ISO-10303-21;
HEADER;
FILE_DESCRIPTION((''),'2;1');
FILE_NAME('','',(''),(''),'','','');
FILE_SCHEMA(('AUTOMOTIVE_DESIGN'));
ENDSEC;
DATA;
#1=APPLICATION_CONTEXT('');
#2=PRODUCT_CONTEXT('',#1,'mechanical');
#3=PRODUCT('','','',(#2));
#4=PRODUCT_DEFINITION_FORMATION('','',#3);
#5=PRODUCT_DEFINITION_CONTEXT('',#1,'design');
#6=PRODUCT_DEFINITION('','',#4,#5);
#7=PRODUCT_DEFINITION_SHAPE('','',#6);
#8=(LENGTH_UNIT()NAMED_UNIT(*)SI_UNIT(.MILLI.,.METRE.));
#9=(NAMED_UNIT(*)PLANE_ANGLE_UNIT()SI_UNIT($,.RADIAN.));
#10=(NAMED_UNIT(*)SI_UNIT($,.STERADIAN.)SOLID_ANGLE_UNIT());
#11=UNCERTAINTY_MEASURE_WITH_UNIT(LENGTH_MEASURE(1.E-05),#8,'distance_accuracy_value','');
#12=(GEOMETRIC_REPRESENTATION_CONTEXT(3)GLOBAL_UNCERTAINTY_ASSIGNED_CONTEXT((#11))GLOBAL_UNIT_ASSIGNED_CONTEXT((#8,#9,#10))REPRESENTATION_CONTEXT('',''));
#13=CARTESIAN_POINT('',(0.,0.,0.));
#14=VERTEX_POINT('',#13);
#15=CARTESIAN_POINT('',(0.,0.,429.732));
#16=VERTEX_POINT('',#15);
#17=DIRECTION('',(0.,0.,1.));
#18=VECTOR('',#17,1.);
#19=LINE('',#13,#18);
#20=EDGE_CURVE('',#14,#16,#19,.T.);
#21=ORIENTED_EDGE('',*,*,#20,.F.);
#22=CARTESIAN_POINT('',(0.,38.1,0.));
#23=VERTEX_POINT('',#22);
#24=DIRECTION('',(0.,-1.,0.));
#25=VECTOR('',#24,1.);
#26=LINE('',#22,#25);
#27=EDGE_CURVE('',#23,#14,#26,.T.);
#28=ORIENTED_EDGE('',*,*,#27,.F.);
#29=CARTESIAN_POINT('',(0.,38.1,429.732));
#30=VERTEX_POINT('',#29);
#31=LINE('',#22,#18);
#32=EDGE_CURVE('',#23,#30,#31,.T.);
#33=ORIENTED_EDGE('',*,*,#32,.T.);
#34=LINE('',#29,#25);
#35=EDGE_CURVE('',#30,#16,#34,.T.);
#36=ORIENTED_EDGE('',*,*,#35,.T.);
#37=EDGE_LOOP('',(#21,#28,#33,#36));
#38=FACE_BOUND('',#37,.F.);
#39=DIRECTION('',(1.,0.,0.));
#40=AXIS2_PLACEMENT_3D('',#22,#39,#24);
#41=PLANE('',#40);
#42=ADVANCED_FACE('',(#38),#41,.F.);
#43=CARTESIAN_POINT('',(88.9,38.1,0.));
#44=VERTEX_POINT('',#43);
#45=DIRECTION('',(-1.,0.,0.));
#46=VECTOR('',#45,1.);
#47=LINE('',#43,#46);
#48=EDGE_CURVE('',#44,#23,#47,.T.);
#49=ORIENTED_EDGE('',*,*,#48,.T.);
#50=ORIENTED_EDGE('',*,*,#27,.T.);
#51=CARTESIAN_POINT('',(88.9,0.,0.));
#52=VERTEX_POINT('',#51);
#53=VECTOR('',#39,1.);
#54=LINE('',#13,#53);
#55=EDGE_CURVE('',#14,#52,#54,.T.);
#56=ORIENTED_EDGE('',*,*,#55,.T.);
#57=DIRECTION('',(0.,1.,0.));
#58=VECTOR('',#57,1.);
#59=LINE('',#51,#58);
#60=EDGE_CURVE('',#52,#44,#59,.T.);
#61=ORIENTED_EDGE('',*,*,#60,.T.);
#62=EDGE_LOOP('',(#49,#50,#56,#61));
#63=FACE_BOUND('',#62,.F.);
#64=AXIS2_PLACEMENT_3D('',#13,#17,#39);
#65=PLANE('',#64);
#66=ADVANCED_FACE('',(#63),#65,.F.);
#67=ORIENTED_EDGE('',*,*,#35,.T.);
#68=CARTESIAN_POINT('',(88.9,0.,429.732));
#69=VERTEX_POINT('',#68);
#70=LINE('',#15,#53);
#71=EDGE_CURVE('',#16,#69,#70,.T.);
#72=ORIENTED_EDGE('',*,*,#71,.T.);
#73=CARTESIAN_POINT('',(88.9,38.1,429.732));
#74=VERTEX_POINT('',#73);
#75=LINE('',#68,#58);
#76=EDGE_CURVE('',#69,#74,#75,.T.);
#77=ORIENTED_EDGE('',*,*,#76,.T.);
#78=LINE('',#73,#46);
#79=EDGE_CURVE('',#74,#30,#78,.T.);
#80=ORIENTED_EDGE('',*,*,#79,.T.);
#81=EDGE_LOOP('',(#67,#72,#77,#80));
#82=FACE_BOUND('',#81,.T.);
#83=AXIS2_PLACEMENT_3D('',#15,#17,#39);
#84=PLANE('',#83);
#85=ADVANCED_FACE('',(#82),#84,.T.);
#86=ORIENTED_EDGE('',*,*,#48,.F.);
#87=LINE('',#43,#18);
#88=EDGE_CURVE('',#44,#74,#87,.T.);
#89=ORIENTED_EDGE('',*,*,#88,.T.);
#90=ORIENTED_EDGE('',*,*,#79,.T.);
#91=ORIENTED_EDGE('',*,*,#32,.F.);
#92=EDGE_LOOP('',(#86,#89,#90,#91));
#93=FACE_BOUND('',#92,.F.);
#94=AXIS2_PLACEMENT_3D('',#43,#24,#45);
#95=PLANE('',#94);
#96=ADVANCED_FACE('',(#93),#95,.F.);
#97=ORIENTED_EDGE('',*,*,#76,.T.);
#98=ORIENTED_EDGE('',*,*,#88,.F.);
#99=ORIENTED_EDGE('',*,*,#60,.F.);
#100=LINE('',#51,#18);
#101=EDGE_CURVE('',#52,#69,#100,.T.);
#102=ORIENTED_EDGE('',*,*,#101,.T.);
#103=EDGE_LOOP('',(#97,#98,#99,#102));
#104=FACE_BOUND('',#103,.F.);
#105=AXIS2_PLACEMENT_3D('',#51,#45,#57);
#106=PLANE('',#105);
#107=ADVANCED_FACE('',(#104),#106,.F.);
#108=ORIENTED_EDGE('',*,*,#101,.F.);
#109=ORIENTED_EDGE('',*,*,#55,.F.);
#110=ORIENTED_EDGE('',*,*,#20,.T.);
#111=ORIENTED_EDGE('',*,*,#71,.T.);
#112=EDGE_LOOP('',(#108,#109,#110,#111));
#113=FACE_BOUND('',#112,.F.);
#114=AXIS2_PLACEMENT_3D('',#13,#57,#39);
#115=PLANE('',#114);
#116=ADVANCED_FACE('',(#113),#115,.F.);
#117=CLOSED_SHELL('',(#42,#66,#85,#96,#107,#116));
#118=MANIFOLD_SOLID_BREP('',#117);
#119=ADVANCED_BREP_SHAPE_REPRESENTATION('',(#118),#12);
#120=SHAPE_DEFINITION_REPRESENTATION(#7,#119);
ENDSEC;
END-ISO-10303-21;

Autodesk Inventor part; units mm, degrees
ref_plane "YZ Plane" through (0, 0, 0) normal (1, 0, 0) x (0, 1, 0)
ref_plane "XZ Plane" through (0, 0, 0) normal (0, 1, 0) x (-1, 0, 0)
ref_plane "XY Plane" through (0, 0, 0) normal (0, 0, 1) x (1, 0, 0)
sketch "Sketch1" plane through (0, 0, 0) normal (0, 0, 1) x (1, 0, 0)
  line L0 (0, 0) -> (88.9, 0)
  line L1 (88.9, 0) -> (88.9, 38.1)
  line L2 (88.9, 38.1) -> (0, 38.1)
  line L3 (0, 38.1) -> (0, 0)
  dimension "d0" = 88.9
  dimension "d1" = 38.1
extrude "Extrusion1" add sketch "Sketch1" along normal blind 429.732
properties part number "BO03" material "Wood (Oak)"
